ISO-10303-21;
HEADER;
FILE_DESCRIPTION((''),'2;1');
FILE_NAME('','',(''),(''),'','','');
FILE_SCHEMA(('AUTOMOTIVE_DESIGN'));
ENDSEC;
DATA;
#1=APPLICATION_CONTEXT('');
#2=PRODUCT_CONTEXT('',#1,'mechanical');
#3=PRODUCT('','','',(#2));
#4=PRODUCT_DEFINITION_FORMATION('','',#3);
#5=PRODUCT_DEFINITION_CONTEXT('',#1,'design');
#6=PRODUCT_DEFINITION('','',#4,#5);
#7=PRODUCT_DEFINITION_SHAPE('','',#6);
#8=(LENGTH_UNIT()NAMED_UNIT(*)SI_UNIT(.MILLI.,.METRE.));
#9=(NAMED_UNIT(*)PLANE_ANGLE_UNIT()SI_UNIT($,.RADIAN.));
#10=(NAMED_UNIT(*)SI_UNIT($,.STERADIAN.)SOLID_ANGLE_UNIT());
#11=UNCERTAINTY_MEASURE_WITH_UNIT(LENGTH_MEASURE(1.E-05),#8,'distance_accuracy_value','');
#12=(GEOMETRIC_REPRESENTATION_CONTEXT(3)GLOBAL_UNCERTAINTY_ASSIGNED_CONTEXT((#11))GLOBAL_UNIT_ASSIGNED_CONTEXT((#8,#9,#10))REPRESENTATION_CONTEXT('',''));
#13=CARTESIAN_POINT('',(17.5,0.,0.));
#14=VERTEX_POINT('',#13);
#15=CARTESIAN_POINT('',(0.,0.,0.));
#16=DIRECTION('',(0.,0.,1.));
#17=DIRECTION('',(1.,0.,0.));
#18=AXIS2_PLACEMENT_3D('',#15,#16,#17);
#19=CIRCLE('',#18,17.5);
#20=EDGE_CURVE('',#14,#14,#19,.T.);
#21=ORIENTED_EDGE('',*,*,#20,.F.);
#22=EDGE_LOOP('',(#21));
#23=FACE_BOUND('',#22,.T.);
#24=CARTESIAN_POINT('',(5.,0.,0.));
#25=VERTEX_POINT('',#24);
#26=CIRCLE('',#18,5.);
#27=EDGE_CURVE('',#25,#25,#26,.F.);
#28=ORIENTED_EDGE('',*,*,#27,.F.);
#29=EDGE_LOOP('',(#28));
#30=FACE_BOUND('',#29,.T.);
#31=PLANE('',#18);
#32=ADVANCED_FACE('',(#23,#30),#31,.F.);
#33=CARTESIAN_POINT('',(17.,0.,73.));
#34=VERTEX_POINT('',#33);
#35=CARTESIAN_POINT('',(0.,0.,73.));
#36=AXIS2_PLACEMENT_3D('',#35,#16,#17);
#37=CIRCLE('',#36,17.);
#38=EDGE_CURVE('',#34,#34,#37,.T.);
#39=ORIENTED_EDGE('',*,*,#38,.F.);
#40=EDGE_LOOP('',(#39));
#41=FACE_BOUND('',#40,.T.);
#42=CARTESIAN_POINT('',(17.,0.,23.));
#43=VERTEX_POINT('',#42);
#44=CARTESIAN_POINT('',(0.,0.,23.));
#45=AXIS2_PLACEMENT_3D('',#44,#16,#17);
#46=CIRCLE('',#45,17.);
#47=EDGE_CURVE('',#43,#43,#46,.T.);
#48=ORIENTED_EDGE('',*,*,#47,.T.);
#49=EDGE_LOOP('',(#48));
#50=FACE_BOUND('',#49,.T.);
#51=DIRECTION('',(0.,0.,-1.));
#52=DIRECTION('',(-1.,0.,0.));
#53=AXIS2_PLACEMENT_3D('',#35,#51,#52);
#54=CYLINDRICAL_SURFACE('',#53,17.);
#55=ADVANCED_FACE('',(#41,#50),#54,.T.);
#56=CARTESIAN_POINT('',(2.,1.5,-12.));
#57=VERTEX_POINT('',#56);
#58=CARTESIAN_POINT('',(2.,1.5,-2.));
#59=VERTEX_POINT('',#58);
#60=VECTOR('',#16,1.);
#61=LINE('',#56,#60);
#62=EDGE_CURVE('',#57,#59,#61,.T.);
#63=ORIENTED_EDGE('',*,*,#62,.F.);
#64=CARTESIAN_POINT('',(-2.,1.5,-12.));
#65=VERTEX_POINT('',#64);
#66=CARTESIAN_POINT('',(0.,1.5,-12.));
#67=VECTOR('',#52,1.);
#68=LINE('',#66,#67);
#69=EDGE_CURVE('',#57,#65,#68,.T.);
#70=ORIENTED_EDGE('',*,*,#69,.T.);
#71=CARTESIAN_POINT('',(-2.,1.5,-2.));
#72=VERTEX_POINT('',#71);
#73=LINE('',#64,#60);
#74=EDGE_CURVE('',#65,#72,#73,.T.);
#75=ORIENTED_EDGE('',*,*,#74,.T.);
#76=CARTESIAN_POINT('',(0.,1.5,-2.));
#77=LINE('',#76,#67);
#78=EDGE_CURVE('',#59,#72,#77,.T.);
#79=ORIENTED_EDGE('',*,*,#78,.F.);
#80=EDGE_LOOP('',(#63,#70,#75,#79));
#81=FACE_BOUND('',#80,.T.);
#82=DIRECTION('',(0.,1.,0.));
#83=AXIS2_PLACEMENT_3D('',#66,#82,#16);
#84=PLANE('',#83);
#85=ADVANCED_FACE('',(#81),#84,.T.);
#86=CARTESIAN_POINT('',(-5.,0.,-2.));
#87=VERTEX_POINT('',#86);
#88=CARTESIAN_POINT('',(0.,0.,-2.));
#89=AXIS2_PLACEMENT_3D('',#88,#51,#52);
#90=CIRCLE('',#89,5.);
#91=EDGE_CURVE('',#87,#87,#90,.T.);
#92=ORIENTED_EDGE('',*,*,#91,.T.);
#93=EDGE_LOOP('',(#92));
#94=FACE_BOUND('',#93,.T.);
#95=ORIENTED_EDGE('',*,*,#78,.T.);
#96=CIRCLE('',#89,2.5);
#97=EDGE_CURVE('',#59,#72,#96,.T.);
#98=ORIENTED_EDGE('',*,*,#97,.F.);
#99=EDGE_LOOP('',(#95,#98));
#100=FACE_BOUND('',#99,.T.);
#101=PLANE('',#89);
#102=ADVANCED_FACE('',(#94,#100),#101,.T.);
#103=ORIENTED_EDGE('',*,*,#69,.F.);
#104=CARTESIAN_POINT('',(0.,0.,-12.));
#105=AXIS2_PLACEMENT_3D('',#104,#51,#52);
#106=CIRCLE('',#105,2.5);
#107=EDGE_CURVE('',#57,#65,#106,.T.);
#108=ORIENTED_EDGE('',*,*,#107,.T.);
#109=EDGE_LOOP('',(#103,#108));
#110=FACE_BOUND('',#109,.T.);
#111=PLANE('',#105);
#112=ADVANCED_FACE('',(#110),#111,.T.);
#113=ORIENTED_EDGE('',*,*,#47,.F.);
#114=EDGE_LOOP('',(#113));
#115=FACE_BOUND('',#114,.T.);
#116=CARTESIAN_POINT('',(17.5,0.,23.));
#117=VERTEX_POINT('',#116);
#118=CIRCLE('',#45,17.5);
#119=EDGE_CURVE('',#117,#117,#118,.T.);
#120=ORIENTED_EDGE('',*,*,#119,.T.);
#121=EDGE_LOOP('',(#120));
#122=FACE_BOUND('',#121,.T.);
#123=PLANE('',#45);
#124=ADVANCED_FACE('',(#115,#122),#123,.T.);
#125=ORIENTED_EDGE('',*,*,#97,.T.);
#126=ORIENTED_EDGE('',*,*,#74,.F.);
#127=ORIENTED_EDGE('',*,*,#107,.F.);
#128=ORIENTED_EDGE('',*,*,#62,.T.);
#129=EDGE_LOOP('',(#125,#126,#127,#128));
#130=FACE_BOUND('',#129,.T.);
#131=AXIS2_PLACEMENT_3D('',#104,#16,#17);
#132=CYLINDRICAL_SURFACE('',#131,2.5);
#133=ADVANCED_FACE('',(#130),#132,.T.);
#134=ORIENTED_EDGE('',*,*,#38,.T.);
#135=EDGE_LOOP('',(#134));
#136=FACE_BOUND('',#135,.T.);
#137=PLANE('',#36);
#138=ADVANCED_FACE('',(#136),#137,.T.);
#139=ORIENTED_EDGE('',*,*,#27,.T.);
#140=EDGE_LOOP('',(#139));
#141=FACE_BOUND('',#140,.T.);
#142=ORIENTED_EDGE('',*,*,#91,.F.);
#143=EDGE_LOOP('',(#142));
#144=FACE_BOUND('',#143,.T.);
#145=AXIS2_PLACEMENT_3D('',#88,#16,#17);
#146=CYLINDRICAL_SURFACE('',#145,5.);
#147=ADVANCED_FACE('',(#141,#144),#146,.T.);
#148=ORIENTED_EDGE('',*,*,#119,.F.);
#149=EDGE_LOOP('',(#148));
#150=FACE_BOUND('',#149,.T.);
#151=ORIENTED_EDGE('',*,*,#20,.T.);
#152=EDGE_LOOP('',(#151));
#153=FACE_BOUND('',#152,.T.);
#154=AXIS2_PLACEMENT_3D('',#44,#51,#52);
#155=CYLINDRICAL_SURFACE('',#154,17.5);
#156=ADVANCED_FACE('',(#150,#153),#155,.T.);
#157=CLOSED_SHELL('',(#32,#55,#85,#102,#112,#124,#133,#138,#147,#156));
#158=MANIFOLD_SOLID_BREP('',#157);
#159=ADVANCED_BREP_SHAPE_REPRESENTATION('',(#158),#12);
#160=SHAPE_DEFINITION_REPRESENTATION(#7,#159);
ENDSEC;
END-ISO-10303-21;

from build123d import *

# Parameters (mm, degrees)
SKETCH1_R           = 17.5
BOSS_EXTRUDE1_DEPTH = 23
SKETCH2_R           = 17
BOSS_EXTRUDE2_DEPTH = 50
SKETCH3_R           = 5
BOSS_EXTRUDE3_DEPTH = 2
BOSS_EXTRUDE4_DEPTH = 10


with BuildPart() as part:
    # Sketch1 → Boss-Extrude1 (new body)
    with BuildSketch(Plane.XY):
        Circle(SKETCH1_R)
    extrude(amount=BOSS_EXTRUDE1_DEPTH)

    # Sketch2 → Boss-Extrude2 (add)
    with BuildSketch(Plane.XY.offset(23)):
        Circle(SKETCH2_R)
    extrude(amount=BOSS_EXTRUDE2_DEPTH)

    # Sketch3 → Boss-Extrude3 (add)
    with BuildSketch(Plane(origin=(0, 0, 0), x_dir=(-1, 0, 0), z_dir=(0, 0, -1))):
        Circle(SKETCH3_R)
    extrude(amount=BOSS_EXTRUDE3_DEPTH)

    # Sketch4 → Boss-Extrude4 (add)
    with BuildSketch(Plane(origin=(0, 0, -2), x_dir=(-1, 0, 0), z_dir=(0, 0, -1))):
        with BuildLine():
            Line((2, 1.5), (-2, 1.5))
            ThreePointArc((-2, 1.5), (-0.790569415, -2.371708245), (2.5, 0))
            ThreePointArc((2.5, 0), (2.371708245, 0.790569415), (2, 1.5))
        make_face()
    extrude(amount=BOSS_EXTRUDE4_DEPTH)


solid = part.part
